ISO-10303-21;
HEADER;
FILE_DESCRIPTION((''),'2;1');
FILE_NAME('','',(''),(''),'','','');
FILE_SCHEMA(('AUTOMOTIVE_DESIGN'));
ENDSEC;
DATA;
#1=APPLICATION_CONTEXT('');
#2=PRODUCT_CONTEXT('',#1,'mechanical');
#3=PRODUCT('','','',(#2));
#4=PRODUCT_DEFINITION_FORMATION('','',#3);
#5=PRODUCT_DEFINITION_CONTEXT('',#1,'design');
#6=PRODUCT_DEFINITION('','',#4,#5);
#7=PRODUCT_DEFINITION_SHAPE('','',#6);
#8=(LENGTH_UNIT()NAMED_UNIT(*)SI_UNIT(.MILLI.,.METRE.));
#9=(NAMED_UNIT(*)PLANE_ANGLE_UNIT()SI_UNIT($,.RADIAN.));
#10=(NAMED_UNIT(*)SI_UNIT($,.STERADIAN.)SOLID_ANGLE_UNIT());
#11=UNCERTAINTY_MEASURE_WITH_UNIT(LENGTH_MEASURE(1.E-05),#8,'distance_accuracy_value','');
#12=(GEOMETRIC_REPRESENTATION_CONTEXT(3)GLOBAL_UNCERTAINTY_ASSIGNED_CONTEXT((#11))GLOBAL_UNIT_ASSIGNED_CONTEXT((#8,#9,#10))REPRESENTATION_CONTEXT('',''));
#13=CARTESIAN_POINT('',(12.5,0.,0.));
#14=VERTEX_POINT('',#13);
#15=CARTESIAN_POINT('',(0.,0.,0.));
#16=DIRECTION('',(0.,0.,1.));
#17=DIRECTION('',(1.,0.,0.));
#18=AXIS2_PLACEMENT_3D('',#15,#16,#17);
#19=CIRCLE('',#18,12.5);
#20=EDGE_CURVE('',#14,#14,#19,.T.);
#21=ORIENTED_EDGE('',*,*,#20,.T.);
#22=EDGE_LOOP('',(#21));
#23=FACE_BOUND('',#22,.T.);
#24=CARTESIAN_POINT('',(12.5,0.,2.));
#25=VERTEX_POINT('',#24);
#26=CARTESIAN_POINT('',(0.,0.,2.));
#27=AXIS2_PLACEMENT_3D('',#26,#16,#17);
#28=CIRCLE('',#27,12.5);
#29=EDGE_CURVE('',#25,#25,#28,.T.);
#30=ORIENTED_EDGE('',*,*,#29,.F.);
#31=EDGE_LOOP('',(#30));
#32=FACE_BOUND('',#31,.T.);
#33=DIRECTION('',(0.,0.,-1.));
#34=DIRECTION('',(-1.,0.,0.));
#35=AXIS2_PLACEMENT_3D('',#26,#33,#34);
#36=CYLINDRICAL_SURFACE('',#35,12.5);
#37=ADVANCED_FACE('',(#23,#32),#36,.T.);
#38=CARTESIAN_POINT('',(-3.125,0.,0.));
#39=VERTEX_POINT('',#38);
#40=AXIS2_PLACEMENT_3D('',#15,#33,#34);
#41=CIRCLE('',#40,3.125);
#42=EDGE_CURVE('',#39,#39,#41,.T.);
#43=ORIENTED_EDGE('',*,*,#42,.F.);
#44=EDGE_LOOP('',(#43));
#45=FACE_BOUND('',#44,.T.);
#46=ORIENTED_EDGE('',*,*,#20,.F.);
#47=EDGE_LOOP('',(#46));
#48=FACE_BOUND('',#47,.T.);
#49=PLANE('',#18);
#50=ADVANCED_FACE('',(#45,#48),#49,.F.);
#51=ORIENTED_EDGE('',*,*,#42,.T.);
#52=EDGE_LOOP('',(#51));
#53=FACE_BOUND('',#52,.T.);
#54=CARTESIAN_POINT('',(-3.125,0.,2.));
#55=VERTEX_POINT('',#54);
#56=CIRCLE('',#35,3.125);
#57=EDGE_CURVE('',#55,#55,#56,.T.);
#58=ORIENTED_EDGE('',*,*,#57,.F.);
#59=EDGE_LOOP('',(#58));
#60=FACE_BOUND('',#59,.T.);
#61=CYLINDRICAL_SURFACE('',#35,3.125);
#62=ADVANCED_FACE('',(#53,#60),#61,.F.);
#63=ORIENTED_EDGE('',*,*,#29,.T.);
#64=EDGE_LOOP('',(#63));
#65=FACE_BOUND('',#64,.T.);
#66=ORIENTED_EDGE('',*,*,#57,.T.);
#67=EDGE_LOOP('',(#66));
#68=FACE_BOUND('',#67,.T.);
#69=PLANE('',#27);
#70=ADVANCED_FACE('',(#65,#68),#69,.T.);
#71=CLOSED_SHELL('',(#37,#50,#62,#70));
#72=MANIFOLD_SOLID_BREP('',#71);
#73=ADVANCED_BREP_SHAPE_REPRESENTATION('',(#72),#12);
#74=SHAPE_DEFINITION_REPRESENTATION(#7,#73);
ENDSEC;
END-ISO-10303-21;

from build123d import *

# Parameters (mm, degrees)
ESQUISSE1_R             = 12.5
BOSS_EXTRU_1_DEPTH      = 2
ESQUISSE2_R             = 3.125
ENL_V_MAT_EXTRU_1_DEPTH = 3


with BuildPart() as part:
    # Esquisse1 → Boss.-Extru.1 (new body)
    with BuildSketch(Plane.XY):
        Circle(ESQUISSE1_R)
    extrude(amount=BOSS_EXTRU_1_DEPTH)

    # Esquisse2 → Enlèv. mat.-Extru.1 (cut, through all)
    with BuildSketch(Plane(origin=(0, 0, 0), x_dir=(-1, 0, 0), z_dir=(0, 0, -1))):
        Circle(ESQUISSE2_R)
    extrude(amount=-ENL_V_MAT_EXTRU_1_DEPTH, mode=Mode.SUBTRACT)


solid = part.part
